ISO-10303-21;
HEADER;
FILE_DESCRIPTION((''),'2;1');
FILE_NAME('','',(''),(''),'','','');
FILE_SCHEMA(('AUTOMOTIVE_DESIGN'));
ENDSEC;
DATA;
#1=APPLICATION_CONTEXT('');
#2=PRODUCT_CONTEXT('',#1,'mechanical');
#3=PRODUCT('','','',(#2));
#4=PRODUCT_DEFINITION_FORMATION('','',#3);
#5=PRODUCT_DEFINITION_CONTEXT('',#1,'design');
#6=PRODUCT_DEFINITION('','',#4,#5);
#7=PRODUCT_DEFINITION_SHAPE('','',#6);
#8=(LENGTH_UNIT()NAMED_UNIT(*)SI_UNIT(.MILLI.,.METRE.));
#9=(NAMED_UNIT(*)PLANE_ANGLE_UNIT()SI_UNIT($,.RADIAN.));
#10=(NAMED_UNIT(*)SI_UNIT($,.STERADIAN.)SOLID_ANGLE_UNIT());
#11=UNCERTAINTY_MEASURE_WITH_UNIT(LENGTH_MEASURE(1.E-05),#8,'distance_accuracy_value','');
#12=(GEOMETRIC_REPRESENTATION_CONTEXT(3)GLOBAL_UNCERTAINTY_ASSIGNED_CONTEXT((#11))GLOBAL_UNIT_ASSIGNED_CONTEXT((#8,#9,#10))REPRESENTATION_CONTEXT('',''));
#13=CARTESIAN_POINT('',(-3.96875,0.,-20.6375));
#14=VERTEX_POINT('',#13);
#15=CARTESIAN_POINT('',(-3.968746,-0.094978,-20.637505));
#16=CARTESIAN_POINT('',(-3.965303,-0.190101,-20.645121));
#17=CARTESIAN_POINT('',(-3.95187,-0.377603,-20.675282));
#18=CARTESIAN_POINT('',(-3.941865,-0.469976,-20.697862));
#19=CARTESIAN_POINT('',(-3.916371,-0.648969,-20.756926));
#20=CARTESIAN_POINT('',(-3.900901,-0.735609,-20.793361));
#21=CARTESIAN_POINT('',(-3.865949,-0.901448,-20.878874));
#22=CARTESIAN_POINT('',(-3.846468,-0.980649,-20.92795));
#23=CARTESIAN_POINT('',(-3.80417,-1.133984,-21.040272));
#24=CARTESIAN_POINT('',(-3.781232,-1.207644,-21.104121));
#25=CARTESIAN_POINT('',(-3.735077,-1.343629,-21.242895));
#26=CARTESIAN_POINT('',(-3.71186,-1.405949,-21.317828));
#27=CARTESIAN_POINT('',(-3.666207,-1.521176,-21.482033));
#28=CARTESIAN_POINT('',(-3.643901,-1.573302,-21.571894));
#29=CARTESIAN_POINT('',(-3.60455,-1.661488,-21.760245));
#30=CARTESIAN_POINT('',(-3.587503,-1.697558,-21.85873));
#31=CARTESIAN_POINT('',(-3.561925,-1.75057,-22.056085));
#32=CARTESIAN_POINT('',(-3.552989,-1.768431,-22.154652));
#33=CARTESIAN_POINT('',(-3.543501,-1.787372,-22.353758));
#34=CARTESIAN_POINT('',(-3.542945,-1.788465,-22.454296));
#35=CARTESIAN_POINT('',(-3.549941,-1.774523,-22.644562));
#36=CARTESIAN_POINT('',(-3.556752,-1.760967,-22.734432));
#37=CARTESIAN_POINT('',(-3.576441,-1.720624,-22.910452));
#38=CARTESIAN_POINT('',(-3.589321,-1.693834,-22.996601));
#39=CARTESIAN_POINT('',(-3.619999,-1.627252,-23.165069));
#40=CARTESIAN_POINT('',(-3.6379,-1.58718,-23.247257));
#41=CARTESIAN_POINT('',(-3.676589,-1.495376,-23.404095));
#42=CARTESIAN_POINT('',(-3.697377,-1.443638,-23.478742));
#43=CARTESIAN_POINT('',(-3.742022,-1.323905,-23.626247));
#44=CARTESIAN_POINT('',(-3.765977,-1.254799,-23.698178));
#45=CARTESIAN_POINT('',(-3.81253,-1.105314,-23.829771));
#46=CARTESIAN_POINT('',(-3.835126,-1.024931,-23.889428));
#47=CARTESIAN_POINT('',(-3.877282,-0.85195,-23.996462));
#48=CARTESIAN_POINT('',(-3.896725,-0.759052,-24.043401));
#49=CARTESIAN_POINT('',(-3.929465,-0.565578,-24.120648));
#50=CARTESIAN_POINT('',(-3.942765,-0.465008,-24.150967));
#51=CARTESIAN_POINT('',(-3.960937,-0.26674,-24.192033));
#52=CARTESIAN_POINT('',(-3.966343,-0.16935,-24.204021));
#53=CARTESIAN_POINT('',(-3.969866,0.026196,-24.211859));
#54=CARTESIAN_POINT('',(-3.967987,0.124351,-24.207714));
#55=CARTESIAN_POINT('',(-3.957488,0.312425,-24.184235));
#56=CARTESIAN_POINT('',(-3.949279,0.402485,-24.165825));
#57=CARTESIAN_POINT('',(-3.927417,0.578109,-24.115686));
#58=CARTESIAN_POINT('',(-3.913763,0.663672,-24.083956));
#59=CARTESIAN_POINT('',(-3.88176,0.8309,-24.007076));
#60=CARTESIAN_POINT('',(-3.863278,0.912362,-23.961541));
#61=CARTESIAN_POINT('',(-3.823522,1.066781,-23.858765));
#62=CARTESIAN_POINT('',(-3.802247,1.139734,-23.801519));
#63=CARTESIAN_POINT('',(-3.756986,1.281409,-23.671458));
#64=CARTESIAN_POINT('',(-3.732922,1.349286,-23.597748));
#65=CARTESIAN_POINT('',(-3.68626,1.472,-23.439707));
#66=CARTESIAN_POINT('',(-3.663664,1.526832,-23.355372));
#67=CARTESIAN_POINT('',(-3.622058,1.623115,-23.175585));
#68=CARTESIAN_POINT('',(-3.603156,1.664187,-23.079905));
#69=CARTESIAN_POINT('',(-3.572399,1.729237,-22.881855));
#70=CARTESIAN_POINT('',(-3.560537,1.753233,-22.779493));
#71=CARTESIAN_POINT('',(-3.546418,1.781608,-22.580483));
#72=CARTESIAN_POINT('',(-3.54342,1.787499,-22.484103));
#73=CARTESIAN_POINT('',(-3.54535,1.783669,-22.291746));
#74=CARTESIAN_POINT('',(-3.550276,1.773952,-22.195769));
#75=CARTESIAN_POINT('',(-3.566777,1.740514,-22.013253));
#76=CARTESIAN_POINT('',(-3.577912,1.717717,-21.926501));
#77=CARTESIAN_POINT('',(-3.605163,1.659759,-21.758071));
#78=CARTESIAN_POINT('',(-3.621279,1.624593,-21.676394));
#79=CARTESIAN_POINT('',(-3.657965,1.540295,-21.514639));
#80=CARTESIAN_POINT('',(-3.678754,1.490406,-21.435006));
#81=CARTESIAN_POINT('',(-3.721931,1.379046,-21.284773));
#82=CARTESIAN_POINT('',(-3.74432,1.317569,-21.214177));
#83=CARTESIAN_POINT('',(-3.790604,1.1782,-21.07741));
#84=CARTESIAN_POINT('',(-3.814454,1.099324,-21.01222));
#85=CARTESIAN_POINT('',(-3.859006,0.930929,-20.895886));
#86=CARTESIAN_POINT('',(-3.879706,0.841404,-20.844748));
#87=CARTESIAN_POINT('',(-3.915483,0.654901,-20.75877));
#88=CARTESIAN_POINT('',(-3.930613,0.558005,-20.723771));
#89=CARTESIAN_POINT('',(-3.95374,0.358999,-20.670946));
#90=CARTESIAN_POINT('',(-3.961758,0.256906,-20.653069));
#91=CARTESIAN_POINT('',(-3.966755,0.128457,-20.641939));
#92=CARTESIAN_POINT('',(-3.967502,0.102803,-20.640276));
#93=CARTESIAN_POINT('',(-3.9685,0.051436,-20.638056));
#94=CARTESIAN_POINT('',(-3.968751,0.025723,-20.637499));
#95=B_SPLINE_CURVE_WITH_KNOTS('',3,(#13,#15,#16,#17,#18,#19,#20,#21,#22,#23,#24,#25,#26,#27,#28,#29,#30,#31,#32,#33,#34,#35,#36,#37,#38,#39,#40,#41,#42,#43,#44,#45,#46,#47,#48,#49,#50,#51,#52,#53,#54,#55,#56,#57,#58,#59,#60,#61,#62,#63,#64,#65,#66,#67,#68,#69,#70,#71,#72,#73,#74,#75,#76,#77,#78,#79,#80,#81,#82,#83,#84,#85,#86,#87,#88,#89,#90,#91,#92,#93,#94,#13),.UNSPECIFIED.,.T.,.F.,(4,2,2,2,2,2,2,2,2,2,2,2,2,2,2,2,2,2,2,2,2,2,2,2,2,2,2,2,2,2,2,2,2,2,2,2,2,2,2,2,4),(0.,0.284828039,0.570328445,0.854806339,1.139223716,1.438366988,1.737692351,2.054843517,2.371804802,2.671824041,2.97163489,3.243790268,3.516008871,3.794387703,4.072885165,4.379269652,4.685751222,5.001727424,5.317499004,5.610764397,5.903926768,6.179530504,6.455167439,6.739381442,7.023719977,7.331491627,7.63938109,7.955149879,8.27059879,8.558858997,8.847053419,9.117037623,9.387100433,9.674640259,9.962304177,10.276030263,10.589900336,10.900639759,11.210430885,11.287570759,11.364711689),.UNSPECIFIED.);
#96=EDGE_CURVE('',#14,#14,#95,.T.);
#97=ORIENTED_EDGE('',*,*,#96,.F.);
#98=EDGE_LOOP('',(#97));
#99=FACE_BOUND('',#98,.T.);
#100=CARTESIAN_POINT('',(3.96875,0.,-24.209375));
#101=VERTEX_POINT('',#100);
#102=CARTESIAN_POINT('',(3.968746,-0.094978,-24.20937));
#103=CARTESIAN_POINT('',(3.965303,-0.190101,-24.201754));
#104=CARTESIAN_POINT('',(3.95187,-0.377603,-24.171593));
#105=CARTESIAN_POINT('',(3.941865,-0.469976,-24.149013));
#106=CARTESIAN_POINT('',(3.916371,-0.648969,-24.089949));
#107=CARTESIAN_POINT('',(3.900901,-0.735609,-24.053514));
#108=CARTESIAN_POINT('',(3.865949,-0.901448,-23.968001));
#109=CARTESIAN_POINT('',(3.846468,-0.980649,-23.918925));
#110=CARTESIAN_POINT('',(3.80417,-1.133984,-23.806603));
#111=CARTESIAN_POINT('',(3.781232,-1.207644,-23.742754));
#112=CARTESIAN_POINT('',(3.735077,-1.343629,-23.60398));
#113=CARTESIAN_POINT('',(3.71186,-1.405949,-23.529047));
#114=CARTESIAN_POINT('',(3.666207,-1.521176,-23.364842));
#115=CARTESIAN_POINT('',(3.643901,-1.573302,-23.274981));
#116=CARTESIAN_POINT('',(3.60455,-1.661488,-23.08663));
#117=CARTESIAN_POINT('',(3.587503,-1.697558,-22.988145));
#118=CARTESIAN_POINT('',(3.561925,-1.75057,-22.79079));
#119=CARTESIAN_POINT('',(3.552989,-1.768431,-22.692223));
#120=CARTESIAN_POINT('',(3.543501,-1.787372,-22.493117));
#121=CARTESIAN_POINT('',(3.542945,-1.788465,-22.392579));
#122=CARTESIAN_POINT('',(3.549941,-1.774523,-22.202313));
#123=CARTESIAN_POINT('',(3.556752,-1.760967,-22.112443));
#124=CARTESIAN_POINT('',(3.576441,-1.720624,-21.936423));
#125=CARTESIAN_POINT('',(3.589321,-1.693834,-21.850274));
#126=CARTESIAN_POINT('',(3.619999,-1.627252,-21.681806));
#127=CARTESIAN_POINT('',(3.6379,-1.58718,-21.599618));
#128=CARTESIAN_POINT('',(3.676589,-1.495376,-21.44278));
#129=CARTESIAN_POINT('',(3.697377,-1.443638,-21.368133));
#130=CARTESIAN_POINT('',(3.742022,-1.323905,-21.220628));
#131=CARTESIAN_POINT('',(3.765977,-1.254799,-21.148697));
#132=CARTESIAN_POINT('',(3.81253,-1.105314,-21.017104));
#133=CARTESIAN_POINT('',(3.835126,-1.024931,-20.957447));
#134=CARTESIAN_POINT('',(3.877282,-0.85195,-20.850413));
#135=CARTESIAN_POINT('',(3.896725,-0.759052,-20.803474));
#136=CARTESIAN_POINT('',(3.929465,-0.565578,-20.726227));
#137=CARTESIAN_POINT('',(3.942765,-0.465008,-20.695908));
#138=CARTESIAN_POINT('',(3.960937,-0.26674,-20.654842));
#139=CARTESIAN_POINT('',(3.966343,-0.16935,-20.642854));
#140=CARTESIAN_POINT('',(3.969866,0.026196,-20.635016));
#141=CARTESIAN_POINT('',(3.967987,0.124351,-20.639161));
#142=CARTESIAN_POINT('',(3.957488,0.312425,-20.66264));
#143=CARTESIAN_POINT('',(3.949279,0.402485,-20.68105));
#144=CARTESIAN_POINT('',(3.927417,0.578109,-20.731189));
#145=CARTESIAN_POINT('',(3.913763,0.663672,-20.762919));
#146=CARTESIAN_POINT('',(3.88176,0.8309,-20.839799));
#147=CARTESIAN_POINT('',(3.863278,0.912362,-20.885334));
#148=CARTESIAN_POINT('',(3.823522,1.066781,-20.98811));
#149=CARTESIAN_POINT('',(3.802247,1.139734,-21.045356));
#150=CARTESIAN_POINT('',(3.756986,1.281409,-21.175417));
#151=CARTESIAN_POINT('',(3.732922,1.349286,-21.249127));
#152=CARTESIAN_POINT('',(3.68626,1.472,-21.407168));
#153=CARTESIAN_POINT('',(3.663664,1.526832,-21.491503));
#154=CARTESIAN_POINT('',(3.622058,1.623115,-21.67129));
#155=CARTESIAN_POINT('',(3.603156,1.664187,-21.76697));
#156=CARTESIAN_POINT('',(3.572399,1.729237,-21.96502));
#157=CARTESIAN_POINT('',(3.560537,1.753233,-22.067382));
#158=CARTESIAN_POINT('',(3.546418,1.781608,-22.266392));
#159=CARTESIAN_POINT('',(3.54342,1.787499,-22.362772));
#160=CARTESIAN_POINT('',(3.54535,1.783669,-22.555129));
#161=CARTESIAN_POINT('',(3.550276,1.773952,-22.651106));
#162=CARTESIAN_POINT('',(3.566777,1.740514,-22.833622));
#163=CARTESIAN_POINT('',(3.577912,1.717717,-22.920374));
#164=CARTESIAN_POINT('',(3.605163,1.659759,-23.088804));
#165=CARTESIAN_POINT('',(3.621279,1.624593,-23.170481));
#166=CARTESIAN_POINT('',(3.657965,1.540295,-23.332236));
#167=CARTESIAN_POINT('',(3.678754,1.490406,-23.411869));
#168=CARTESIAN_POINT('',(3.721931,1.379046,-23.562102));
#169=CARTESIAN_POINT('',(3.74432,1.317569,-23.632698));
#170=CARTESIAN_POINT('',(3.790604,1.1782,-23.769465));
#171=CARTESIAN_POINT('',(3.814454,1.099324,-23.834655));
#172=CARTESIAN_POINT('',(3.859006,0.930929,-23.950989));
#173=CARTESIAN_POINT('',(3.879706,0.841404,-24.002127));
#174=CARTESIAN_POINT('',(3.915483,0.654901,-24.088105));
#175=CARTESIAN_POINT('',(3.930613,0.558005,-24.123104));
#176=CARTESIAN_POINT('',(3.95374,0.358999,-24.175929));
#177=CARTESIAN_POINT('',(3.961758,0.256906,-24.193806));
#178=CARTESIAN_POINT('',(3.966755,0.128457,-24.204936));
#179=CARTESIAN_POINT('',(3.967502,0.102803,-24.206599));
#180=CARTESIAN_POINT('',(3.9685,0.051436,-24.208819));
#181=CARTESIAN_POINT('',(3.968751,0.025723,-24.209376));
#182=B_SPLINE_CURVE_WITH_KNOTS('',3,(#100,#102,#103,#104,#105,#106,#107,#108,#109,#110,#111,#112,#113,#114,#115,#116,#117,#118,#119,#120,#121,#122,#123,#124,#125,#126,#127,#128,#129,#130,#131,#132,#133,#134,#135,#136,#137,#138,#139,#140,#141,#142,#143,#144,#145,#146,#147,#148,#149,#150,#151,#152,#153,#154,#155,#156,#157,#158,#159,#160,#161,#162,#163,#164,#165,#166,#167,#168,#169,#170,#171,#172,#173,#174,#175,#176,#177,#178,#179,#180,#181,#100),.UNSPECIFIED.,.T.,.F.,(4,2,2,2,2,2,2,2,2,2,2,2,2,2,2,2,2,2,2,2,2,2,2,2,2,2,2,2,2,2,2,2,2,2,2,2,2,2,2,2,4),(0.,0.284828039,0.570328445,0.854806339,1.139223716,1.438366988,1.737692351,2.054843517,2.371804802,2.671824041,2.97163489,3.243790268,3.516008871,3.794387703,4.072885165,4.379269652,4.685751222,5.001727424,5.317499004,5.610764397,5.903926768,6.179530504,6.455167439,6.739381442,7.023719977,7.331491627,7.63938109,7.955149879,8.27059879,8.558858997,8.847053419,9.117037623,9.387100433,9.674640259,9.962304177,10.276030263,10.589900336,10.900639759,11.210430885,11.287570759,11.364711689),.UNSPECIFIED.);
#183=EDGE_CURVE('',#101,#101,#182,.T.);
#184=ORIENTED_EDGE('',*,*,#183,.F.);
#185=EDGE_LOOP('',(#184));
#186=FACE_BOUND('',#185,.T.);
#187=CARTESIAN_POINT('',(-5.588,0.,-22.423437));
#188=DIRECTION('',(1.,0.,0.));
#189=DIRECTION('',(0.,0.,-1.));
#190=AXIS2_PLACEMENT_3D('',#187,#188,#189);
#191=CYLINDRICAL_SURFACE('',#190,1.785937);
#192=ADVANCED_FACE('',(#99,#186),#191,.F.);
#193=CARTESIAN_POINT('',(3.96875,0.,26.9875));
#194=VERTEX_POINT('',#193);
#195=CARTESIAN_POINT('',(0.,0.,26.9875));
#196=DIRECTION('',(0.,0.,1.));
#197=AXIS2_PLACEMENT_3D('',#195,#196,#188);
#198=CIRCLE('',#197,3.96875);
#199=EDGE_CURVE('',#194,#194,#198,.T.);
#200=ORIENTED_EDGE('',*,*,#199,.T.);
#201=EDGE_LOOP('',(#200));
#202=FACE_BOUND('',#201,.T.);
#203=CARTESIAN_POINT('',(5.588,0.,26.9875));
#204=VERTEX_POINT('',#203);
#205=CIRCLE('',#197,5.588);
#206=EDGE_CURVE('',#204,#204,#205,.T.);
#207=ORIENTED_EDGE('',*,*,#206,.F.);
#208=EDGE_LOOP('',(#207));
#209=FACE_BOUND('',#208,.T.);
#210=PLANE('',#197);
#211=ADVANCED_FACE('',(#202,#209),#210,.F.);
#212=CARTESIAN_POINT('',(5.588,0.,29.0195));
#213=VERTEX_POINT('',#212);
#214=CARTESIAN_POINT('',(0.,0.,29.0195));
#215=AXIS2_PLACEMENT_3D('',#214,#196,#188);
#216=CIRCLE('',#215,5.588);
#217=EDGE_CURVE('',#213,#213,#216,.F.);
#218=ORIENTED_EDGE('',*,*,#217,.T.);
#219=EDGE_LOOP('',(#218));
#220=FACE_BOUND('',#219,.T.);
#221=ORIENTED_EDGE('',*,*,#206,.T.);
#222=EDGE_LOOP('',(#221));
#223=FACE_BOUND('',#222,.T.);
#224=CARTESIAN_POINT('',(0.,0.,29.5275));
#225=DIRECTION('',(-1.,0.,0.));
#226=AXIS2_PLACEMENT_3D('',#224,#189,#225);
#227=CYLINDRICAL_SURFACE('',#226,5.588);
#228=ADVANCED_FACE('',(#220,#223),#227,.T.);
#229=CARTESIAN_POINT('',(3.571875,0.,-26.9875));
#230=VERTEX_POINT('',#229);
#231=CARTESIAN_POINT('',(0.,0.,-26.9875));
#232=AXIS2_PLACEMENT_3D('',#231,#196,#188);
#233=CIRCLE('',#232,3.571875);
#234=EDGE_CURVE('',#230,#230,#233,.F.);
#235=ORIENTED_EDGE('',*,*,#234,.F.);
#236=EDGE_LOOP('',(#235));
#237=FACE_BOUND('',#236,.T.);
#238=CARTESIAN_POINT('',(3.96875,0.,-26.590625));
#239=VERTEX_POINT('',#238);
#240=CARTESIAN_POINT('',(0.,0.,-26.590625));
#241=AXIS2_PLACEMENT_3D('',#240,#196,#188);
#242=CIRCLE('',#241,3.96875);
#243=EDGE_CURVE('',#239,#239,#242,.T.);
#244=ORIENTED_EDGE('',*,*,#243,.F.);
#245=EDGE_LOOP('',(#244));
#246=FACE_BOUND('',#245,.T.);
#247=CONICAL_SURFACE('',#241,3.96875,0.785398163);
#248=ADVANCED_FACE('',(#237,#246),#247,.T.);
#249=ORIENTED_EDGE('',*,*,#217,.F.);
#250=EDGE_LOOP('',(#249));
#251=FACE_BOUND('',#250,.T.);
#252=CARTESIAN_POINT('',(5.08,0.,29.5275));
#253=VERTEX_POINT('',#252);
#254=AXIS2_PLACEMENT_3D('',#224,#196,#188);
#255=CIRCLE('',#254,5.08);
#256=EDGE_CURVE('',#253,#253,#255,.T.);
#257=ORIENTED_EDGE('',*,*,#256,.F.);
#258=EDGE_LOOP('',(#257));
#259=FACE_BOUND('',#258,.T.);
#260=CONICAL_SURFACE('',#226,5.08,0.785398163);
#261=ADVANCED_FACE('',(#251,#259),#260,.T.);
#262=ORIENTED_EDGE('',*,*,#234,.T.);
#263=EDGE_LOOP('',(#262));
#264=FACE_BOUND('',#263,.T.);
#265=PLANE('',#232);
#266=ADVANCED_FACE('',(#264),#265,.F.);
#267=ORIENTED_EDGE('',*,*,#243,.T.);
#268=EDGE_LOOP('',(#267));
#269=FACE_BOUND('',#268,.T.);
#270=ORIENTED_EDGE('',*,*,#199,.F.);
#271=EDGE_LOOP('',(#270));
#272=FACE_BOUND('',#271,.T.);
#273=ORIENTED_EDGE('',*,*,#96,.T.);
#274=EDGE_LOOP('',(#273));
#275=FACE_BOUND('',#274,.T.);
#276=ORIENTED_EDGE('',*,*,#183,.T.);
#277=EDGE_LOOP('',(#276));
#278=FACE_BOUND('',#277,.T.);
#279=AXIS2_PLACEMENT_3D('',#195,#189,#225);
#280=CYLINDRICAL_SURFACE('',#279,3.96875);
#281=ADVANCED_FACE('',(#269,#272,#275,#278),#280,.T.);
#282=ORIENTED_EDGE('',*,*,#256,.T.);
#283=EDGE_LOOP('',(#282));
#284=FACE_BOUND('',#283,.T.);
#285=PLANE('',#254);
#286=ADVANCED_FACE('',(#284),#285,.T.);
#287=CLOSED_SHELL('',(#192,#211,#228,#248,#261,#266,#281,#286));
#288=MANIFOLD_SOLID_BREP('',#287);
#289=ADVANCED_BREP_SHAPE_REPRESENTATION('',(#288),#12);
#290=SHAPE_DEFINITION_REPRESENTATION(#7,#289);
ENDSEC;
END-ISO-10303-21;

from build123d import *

# Parameters (mm, degrees)
SKETCH1_R           = 3.96875
EXTRUDE1_DEPTH      = 26.9875
SKETCH2_R           = 5.588
EXTRUDE2_DEPTH      = 2.54
CHAMFER1_SIZE       = 0.508
EXTRUDE3_DEPTH      = 31.566726096
EXTRUDE3_DEPTH_BACK = 31.566726096
SKETCH3_R           = 1.7859375
CHAMFER2_SIZE       = 0.396875


with BuildPart() as part:
    # Sketch1 → Extrude1 (new, symmetric)
    with BuildSketch(Plane.XY):
        Circle(SKETCH1_R)
    extrude(amount=EXTRUDE1_DEPTH, both=True)

    # Sketch2 → Extrude2 (add)
    with BuildSketch(Plane.XY.offset(26.9875)):
        Circle(SKETCH2_R)
    extrude(amount=EXTRUDE2_DEPTH)

    # Chamfer1
    chamfer1_edges = [part.edges().sort_by_distance(p)[0] for p in [
        (-5.588, 0, 29.5275),
    ]]
    chamfer(chamfer1_edges, length=CHAMFER1_SIZE)

    # Sketch3 → Extrude3 (cut, two sides: drawn at the far end of the back side and taken through both)
    with BuildSketch(Plane(origin=(0, 0, 0), x_dir=(0, 0, -1), z_dir=(1, 0, 0)).offset(-EXTRUDE3_DEPTH_BACK)):
        with Locations(Location((22.4234375, 0, 0), (0, 0, 179.999999999))):
            Circle(SKETCH3_R)
    extrude(amount=EXTRUDE3_DEPTH + EXTRUDE3_DEPTH_BACK, mode=Mode.SUBTRACT)

    # Chamfer2
    chamfer2_edges = [part.edges().sort_by_distance(p)[0] for p in [
        (-3.96875, 0, -26.9875),
    ]]
    chamfer(chamfer2_edges, length=CHAMFER2_SIZE)


solid = part.part
